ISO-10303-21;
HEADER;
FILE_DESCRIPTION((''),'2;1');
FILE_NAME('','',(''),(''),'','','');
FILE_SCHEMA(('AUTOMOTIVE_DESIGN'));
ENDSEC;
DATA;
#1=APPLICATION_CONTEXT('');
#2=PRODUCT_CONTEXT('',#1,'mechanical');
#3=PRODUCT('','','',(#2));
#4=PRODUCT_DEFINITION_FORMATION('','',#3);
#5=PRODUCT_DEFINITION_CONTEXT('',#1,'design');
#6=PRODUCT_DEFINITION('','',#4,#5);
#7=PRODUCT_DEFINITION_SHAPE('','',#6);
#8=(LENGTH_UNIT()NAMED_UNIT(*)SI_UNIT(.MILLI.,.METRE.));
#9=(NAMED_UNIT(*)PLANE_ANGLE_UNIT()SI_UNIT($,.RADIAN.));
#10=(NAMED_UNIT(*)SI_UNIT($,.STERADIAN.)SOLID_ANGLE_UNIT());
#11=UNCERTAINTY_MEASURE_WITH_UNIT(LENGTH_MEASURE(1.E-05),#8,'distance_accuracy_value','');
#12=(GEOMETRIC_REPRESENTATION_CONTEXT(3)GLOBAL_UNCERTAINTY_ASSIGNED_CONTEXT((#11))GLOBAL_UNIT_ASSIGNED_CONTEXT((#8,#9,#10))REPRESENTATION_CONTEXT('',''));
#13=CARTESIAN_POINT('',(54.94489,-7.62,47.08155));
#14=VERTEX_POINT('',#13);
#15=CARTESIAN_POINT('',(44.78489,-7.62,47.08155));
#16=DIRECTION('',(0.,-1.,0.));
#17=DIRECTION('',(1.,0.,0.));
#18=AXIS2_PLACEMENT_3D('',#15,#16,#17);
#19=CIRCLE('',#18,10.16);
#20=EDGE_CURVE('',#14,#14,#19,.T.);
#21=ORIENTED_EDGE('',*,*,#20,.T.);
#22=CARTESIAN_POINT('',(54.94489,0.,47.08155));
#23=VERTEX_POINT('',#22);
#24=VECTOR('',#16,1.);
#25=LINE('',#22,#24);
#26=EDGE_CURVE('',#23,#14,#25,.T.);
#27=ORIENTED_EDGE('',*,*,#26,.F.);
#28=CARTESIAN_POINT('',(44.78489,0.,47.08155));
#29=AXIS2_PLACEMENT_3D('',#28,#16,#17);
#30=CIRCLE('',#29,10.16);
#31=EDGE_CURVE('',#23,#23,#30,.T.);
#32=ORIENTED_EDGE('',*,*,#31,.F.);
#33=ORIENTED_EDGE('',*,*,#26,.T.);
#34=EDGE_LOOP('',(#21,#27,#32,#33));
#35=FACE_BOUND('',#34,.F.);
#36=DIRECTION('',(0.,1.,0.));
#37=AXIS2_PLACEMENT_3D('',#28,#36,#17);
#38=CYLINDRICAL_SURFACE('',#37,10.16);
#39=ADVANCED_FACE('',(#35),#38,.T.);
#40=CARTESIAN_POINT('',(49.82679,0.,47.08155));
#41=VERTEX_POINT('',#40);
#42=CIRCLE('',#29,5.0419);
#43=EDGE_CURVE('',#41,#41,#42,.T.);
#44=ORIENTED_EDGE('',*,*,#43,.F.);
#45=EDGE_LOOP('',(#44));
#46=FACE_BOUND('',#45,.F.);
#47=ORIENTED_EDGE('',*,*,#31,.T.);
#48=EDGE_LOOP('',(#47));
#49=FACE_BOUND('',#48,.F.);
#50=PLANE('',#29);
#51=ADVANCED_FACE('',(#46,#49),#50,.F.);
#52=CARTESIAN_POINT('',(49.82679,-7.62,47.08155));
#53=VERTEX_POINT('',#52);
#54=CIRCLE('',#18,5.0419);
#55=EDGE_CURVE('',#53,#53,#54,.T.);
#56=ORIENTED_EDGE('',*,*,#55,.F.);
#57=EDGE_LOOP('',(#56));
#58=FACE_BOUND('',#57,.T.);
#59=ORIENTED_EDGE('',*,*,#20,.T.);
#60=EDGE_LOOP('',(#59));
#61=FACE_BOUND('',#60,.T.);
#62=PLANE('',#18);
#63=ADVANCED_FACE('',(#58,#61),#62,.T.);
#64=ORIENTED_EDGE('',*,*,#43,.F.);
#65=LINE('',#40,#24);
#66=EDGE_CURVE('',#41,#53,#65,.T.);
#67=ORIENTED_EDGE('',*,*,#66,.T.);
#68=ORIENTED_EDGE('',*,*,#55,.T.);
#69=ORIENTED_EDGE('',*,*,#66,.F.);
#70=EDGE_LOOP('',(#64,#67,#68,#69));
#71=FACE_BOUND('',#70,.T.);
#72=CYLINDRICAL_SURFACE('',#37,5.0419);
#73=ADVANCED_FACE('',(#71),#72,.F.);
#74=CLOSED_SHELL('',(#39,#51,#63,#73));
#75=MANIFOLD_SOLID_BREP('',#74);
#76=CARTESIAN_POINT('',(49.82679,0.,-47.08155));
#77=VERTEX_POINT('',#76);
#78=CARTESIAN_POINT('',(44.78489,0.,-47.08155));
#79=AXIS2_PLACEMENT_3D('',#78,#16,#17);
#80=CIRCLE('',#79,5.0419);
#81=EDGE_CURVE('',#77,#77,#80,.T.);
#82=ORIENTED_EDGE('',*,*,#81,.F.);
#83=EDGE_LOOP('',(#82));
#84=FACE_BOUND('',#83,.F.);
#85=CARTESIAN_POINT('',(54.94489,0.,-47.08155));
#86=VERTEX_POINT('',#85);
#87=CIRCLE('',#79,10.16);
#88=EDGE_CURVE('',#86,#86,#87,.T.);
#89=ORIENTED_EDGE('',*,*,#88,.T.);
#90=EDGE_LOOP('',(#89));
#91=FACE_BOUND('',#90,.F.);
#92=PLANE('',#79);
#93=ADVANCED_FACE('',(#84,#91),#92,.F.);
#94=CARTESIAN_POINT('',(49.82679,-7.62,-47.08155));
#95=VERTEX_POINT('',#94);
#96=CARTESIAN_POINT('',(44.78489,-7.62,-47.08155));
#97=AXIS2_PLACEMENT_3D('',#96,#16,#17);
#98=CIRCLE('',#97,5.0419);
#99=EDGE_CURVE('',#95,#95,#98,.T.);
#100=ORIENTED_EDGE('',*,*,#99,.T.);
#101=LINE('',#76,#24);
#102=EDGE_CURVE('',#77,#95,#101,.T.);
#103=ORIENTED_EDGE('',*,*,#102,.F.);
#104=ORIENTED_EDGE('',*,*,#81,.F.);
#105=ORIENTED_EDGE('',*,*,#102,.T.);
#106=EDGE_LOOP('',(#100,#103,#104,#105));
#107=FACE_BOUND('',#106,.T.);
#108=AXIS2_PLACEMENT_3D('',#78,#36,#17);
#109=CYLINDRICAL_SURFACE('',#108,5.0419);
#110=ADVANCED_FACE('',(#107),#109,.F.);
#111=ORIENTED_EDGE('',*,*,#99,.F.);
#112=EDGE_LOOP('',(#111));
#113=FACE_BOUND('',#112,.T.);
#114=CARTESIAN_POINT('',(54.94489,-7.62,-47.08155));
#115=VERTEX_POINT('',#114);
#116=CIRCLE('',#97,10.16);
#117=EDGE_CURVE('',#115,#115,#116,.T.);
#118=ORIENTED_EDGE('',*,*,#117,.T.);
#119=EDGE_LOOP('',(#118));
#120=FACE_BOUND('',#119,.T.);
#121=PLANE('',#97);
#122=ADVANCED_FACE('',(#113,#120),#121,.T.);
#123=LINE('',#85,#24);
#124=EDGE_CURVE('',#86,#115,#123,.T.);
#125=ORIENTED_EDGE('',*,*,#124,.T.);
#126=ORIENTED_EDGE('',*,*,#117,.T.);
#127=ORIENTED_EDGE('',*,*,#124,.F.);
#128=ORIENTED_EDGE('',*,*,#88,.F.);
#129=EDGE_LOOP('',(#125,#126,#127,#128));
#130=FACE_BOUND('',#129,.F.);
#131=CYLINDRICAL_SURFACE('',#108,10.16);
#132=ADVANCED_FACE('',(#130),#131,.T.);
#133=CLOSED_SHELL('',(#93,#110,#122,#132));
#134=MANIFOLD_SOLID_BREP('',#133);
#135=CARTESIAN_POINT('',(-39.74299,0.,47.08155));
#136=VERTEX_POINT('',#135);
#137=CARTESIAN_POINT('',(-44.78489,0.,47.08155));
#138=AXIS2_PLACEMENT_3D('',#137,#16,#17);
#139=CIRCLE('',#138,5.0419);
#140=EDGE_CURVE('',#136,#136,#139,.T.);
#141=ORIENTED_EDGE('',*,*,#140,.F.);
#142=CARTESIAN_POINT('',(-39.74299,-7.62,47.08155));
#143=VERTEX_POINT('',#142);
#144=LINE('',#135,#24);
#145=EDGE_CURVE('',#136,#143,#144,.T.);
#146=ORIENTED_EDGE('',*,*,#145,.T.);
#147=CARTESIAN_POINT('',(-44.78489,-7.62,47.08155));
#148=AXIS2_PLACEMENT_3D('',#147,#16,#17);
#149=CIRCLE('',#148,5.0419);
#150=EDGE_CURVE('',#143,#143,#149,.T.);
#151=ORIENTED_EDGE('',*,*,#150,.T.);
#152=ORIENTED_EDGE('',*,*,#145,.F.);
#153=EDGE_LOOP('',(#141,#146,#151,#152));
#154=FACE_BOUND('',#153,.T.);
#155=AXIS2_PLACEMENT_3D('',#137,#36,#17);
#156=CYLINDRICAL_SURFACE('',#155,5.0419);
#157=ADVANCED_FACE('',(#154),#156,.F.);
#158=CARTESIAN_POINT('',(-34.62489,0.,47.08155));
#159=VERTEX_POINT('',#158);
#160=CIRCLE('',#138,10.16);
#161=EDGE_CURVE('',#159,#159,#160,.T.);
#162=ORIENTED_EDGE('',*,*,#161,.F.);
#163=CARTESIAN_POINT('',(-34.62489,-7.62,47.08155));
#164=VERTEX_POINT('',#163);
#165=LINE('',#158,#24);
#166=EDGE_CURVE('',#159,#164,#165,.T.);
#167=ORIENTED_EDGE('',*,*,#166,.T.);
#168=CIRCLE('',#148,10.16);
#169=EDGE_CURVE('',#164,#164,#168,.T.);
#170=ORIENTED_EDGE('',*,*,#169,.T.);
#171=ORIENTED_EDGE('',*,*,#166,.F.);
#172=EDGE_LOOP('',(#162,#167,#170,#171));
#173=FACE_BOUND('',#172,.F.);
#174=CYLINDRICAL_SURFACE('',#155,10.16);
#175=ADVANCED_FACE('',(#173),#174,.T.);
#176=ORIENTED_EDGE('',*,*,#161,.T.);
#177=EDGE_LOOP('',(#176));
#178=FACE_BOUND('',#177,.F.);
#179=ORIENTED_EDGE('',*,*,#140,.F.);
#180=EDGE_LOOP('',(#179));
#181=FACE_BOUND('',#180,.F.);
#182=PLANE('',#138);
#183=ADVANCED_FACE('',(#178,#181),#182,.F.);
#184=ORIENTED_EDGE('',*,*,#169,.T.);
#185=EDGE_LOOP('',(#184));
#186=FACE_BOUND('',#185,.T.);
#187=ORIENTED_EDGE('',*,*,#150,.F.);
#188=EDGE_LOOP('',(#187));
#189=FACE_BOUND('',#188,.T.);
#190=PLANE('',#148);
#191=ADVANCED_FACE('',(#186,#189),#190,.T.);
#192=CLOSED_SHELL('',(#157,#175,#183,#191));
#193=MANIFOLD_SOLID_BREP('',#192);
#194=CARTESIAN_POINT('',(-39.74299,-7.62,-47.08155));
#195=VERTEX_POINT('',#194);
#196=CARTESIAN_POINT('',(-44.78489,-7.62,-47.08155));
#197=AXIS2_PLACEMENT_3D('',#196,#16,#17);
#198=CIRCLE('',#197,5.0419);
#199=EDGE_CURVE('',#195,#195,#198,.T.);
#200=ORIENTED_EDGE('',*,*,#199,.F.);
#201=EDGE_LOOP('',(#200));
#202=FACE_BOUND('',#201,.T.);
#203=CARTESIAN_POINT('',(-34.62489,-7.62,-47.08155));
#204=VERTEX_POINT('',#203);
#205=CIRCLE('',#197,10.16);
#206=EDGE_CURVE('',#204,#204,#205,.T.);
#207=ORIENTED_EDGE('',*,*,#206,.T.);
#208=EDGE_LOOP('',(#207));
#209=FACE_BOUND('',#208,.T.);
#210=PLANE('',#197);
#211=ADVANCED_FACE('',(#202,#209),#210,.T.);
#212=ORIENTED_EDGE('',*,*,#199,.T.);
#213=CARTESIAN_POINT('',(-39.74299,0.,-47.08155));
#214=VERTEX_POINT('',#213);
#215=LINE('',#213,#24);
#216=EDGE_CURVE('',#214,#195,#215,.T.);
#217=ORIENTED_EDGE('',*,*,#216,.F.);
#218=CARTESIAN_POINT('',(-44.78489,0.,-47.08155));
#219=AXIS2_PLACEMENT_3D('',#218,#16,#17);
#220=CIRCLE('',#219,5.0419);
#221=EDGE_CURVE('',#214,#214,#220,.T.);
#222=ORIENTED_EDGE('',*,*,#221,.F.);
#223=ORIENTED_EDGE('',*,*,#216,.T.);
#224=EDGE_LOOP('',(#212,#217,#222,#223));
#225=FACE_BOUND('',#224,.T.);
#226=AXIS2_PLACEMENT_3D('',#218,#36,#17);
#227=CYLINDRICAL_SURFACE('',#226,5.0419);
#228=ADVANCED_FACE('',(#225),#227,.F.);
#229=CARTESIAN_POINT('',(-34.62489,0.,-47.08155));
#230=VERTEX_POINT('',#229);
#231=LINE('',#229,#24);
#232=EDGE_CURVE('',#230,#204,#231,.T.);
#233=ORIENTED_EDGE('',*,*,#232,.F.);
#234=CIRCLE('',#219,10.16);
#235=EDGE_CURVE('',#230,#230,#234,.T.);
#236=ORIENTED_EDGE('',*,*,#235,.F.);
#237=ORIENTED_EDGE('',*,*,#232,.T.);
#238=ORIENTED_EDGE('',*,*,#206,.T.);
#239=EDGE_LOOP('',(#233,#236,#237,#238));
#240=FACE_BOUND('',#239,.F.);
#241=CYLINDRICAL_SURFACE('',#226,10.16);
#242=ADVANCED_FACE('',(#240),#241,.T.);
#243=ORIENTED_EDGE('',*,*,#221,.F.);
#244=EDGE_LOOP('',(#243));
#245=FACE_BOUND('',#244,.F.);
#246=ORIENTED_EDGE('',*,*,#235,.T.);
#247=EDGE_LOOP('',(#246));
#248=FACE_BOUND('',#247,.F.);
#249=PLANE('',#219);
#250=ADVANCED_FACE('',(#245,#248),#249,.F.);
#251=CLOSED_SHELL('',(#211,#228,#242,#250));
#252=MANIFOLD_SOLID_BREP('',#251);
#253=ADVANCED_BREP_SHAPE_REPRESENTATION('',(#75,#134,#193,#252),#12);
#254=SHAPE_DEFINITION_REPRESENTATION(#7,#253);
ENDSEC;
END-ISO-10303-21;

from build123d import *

# Parameters (mm, degrees)
F0_R     = 10.16
F0_R_2   = 5.0419
F1_DEPTH = 7.62


with BuildPart() as f1:
    # F0 (on Front) → F1 (new body)
    with BuildSketch(Plane.XZ):
        with Locations((-44.78489, 47.08155)):
            Circle(F0_R)
        with Locations((-44.78489, 47.08155)):
            Circle(F0_R_2, mode=Mode.SUBTRACT)
        with Locations((44.78489, 47.08155)):
            Circle(F0_R)
        with Locations((44.78489, 47.08155)):
            Circle(F0_R_2, mode=Mode.SUBTRACT)
        with Locations((-44.78489, -47.08155)):
            Circle(F0_R)
        with Locations((-44.78489, -47.08155)):
            Circle(F0_R_2, mode=Mode.SUBTRACT)
        with Locations((44.78489, -47.08155)):
            Circle(F0_R)
        with Locations((44.78489, -47.08155)):
            Circle(F0_R_2, mode=Mode.SUBTRACT)
    extrude(amount=F1_DEPTH)


solid = f1.part
